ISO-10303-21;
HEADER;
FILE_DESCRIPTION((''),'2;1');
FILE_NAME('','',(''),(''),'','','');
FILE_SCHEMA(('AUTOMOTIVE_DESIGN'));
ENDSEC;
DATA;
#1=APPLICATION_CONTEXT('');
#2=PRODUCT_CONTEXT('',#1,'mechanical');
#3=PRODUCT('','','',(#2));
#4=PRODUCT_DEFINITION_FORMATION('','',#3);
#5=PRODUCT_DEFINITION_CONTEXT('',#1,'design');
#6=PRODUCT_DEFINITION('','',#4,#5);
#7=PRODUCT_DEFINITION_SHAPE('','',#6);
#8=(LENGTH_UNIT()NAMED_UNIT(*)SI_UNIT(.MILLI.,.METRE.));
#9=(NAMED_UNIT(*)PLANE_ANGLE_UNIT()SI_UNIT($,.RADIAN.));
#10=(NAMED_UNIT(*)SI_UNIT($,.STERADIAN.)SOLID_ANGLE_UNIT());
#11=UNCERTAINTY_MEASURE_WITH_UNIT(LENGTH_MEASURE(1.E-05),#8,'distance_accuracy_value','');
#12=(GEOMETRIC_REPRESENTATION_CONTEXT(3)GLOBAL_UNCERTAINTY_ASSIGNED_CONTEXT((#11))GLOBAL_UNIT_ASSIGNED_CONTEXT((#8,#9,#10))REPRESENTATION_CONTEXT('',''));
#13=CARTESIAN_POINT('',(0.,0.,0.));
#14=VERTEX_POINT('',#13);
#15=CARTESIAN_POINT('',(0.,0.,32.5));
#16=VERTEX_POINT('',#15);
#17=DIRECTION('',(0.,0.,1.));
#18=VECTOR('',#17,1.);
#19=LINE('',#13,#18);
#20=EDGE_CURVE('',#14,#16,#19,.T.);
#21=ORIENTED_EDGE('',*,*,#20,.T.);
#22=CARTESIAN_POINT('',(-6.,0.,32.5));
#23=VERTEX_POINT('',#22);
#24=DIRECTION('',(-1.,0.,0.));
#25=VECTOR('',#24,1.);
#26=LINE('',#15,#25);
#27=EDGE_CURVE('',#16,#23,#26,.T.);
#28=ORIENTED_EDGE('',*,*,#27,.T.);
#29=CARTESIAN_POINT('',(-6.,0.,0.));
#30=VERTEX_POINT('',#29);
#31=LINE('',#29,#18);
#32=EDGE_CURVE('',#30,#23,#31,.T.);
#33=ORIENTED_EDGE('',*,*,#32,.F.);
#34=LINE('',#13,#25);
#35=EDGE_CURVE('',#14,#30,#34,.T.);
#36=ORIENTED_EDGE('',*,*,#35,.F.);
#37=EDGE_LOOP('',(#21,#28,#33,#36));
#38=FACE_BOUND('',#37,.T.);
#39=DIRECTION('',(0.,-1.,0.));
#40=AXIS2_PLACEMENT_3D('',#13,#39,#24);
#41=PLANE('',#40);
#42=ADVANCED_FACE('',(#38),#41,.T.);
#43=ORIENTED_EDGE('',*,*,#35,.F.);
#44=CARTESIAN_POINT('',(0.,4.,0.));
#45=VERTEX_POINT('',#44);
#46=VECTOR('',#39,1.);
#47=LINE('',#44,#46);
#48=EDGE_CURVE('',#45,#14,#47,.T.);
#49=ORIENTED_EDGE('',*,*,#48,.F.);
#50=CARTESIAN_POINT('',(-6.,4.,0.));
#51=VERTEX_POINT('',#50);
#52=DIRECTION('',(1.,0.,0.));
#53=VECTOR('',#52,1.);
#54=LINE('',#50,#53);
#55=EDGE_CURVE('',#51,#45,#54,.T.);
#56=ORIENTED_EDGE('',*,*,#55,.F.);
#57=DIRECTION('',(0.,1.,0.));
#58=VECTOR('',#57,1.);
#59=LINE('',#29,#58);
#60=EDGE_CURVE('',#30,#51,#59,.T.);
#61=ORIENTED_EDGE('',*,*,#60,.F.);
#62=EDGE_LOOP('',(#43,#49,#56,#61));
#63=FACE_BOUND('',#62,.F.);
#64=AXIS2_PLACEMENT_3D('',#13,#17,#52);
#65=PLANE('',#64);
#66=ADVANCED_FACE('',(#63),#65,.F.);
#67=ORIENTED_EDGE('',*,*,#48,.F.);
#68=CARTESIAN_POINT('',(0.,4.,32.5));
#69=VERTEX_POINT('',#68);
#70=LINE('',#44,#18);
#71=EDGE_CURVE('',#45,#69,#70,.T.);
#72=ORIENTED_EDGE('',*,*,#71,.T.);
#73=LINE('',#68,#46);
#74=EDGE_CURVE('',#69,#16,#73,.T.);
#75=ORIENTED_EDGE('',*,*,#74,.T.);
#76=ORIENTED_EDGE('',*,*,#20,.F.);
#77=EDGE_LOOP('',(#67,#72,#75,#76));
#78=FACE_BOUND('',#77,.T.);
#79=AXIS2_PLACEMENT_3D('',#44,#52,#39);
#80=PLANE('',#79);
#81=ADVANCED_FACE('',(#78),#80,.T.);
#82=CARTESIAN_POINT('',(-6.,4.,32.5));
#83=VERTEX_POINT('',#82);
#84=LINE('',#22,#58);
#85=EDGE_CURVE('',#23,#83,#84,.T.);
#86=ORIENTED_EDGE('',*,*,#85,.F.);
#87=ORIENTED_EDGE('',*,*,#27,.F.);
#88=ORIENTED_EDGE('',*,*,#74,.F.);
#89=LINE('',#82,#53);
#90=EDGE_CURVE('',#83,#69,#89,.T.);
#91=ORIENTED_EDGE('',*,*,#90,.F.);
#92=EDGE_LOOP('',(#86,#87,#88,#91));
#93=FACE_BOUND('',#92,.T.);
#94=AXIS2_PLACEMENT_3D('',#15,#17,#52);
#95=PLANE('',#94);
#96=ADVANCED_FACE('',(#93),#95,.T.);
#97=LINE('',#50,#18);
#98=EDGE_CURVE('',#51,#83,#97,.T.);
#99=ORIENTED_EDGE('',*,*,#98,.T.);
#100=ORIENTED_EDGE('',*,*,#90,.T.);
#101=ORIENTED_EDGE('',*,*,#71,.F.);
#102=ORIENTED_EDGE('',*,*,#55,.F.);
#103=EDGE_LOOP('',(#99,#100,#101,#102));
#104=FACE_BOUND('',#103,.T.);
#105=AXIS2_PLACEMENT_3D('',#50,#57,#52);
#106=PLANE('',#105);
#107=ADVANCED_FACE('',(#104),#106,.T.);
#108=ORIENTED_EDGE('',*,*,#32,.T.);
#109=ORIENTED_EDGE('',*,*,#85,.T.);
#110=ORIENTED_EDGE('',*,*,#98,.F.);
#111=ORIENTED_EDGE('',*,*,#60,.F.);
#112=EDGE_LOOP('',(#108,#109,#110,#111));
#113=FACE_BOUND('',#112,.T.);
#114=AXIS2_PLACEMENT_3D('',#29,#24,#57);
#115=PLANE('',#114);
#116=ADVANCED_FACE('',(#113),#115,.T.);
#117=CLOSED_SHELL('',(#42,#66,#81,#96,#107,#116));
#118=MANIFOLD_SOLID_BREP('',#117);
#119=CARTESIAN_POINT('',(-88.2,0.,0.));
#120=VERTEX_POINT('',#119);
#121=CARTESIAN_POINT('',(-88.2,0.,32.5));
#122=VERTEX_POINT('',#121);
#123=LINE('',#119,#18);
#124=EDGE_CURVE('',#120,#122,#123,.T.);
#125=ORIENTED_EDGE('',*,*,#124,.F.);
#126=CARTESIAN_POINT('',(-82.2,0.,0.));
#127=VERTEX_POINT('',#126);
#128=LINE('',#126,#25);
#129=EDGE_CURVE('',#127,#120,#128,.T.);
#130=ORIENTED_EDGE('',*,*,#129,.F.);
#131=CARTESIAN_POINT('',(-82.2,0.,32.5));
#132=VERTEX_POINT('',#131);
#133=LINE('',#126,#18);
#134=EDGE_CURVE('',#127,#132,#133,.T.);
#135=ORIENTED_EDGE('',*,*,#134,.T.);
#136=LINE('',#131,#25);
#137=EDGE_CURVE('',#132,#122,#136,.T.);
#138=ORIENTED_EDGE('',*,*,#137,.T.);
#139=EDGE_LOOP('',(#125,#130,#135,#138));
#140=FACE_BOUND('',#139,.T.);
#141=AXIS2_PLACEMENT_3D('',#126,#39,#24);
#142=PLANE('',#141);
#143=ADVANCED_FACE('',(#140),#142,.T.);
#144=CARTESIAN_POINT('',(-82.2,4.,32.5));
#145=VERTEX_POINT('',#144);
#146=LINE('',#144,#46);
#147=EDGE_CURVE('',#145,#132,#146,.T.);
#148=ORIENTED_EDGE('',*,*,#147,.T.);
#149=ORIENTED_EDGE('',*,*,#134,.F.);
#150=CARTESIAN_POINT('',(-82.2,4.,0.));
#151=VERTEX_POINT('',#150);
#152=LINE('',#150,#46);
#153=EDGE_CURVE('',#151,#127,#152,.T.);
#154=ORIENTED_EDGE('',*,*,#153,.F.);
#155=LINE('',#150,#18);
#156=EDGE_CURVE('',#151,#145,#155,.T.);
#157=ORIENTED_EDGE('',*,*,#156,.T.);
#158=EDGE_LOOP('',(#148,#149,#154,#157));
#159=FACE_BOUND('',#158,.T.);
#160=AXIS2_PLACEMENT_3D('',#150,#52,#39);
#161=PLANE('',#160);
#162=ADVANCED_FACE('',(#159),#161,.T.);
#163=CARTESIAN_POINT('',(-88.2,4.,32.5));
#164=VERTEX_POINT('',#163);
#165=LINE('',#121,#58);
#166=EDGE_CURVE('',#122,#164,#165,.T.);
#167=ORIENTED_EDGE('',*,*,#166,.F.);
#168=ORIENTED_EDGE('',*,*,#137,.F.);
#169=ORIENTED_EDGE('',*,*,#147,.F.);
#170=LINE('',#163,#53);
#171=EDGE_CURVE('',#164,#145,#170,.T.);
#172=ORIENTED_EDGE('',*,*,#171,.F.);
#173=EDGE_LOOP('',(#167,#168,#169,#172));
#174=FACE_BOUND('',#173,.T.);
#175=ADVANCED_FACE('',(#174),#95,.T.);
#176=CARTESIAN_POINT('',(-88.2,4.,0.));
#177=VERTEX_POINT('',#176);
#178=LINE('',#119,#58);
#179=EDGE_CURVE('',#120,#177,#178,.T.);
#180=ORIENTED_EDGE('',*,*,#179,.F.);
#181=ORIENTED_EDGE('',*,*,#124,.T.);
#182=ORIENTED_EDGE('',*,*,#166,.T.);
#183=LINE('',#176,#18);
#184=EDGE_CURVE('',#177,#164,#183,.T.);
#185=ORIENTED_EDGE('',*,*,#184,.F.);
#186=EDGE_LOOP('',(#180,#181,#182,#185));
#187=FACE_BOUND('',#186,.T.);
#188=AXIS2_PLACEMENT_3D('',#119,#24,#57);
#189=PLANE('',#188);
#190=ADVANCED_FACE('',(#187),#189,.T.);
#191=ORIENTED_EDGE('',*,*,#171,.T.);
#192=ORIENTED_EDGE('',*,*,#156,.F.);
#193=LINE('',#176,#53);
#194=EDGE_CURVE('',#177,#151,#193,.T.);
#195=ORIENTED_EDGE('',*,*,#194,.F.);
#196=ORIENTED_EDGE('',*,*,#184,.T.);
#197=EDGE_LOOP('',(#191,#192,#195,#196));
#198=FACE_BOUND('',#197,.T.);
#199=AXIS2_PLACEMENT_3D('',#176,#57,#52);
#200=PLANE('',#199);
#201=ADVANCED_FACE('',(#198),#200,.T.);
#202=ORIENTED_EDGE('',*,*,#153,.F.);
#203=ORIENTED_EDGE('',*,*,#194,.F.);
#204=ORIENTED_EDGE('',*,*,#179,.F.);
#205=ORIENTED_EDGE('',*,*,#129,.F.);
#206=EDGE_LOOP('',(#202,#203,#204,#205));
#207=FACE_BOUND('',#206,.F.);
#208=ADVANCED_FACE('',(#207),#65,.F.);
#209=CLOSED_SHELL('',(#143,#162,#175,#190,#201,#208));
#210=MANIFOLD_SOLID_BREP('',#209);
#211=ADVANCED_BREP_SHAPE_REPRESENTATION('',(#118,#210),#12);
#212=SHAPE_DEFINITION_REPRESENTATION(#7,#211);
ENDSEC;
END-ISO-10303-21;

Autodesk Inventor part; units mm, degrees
ref_plane "YZ Plane" through (0, 0, 0) normal (1, 0, 0) x (0, 1, 0)
ref_plane "XZ Plane" through (0, 0, 0) normal (0, 1, 0) x (-1, 0, 0)
ref_plane "Work Plane1" through (0, 0, 0) normal (0, 0, 1) x (1, 0, 0)
sketch "Sketch1" plane through (0, 0, 0) normal (0, 0, 1) x (1, 0, 0)
  line L0 (-9.5, 4) -> (-78.7, 4) construction
  line L1 (0, 0) -> (-88.2, 0) construction
  line L2 (-88.2, 0) -> (-88.2, 10) construction
  line L3 (-88.2, 4) -> (-82.2, 4)
  line L4 (-82.2, 4) -> (-82.2, 0)
  line L5 (-82.2, 0) -> (-88.2, 0)
  line L6 (-88.2, 0) -> (-88.2, 4)
  line L7 (-6, 4) -> (0, 4)
  line L8 (0, 4) -> (0, 0)
  line L9 (0, 0) -> (-6, 0)
  line L10 (-6, 0) -> (-6, 4)
  line L11 (0, 0) -> (0, 10) construction
  dimension "d0" = 6
  dimension "d1" = 6
  dimension "d2" = 0
  dimension "d3" = 0
ref_plane "Work Plane2" through (-88.2, 0, 32.5) normal (0, 0, -1) x (0, 1, 0)
extrude "Extrusion1" add sketch "Sketch1" along normal up to surface (32.5 mm away)
properties part number "CrossBeam2"
